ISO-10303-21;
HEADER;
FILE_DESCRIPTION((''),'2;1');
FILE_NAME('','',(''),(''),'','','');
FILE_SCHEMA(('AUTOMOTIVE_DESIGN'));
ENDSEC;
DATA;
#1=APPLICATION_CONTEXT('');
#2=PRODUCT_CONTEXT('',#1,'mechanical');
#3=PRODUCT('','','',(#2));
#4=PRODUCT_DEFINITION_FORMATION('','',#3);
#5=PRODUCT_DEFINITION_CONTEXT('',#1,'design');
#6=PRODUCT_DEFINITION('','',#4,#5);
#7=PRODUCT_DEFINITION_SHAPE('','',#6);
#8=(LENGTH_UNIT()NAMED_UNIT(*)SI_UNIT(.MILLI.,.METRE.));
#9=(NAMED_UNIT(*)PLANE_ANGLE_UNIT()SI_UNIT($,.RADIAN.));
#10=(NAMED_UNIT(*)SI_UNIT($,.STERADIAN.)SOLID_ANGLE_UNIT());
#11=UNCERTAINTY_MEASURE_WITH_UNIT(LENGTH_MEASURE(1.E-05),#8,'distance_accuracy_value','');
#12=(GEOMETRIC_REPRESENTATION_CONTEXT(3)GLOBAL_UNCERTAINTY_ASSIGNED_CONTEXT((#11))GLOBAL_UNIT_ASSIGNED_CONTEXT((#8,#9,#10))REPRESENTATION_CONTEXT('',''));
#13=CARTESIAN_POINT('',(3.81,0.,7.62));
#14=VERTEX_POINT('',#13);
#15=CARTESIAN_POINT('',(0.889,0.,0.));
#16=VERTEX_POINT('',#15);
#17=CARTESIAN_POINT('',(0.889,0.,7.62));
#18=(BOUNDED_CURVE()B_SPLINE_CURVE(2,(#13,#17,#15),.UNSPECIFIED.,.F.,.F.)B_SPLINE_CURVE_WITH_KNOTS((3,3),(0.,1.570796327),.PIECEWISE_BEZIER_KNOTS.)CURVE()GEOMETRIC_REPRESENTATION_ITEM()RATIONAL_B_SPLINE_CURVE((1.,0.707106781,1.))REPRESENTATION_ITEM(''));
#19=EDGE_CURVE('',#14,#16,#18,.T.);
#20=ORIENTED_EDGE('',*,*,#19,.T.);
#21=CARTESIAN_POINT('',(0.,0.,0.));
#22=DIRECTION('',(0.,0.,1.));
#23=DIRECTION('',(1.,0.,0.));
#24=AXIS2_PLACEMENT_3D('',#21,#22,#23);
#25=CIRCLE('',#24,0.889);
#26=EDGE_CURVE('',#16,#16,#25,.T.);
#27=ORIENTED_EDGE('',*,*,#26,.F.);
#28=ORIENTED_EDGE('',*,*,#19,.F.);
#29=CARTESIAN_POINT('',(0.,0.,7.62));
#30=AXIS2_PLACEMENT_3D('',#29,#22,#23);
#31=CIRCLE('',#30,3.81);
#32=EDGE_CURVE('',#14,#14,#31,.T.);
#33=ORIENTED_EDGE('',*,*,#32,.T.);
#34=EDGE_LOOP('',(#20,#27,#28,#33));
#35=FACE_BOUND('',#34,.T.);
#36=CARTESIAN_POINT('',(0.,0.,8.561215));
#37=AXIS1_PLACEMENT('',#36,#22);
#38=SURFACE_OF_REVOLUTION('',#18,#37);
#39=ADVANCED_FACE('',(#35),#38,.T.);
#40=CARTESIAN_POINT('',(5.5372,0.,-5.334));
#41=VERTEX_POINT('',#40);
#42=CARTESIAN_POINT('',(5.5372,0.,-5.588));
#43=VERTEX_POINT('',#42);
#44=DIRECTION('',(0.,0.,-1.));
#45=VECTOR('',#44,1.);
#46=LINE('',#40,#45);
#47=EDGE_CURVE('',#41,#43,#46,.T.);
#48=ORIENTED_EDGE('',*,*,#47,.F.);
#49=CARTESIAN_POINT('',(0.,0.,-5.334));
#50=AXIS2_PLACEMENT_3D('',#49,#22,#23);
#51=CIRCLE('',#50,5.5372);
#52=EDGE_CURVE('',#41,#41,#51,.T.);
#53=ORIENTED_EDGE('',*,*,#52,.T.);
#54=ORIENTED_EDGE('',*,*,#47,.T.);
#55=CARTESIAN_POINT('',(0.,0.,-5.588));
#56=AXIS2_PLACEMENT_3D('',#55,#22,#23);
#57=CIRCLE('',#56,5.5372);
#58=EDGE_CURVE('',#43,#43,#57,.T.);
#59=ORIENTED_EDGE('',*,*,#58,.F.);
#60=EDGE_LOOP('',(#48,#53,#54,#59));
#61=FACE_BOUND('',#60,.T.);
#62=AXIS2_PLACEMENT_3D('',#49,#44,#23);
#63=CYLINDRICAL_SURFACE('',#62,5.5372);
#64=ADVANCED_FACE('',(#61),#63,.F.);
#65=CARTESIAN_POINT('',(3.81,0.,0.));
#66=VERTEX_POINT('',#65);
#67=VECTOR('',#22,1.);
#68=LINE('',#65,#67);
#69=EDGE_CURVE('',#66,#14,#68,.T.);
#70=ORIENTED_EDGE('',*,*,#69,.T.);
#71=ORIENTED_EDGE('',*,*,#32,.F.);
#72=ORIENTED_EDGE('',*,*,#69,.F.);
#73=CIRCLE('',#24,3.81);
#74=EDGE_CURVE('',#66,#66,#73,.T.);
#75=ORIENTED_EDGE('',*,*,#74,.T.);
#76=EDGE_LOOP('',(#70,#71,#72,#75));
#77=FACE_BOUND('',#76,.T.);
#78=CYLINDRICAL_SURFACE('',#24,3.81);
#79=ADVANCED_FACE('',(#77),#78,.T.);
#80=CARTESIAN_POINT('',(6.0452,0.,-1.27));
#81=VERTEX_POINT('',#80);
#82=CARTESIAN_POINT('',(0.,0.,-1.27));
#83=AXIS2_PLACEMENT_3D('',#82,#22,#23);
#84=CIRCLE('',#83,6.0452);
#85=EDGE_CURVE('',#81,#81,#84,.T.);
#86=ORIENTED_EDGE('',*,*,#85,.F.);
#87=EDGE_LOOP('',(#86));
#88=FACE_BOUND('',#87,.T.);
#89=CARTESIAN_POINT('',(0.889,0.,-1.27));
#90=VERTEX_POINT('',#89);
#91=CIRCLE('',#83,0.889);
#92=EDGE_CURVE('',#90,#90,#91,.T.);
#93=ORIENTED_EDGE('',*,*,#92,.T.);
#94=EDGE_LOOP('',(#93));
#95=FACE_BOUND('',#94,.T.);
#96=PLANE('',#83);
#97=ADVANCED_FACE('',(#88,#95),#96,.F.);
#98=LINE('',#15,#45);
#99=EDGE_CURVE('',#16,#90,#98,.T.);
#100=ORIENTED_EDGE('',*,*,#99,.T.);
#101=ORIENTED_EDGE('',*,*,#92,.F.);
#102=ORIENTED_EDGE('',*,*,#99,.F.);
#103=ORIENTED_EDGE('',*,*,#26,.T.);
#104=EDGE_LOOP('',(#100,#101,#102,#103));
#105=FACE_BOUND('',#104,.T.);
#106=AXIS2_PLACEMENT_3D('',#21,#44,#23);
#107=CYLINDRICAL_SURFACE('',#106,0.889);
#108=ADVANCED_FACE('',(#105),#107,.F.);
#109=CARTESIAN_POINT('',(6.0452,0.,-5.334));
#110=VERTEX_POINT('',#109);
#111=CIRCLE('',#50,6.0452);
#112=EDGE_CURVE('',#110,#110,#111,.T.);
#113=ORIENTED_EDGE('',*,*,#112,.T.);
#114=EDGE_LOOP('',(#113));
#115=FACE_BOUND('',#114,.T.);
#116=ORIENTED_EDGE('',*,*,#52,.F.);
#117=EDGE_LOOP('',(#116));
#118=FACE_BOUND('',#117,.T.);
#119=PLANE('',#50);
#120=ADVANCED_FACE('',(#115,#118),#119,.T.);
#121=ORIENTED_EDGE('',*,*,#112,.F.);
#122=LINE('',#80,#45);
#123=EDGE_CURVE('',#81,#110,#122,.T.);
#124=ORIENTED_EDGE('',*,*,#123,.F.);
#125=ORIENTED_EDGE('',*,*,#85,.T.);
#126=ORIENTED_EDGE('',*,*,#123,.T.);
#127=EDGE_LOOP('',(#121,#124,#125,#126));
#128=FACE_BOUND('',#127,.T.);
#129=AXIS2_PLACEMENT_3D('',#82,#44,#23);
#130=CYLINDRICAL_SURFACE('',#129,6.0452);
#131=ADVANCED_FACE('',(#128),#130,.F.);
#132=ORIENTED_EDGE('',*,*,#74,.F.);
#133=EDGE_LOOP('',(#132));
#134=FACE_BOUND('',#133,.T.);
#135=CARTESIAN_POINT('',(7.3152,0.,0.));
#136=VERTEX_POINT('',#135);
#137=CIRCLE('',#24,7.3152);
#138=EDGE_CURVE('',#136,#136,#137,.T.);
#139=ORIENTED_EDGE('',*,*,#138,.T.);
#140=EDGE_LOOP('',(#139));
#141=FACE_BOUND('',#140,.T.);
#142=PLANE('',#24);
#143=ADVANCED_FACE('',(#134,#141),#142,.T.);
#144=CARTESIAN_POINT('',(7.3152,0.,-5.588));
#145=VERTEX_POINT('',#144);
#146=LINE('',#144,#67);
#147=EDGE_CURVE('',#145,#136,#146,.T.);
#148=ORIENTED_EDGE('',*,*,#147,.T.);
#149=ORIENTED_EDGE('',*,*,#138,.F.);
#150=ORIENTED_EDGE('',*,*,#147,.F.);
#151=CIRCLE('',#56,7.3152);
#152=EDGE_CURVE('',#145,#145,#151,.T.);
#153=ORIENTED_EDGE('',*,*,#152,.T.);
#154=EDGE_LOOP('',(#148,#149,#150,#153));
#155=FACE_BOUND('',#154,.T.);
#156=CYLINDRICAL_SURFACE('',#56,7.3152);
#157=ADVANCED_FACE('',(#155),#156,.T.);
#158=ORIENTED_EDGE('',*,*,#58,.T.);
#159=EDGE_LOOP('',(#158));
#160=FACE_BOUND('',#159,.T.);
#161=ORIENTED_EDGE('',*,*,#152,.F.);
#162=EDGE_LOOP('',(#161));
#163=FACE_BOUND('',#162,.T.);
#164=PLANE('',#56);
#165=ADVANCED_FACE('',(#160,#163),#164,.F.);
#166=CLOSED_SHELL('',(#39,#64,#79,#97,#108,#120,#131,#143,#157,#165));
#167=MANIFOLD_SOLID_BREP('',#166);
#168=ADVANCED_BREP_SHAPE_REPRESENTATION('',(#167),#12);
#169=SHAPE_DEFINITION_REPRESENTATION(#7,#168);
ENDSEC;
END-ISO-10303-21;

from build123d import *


with BuildPart() as f1:
    # F0 (on Front) → F1 (revolve)
    with BuildSketch(Plane.XZ):
        with BuildLine():
            Line((3.81, 0), (3.81, 7.62))
            add(Edge.make_bspline(
                [(3.81, 7.62), (0.889, 7.62), (0.889, 0)],
                knots=[0, 0, 0, 1.5707963268, 1.5707963268, 1.5707963268], degree=2, weights=[1, 0.7071067812, 1]))
            Line((0.889, 0), (3.81, 0))
        make_face()
        Polygon((7.3152, 0), (3.81, 0), (0.889, 0), (0.889, -1.27), (6.0452, -1.27), (6.0452, -5.334), (7.3152, -5.334), align=None)
        Polygon((7.3152, -5.588), (7.3152, -5.334), (6.0452, -5.334), (5.5372, -5.334), (5.5372, -5.588), align=None)
    revolve(axis=Axis((0, 0, 8.5612153634), (0, 0, 1)))


solid = f1.part
